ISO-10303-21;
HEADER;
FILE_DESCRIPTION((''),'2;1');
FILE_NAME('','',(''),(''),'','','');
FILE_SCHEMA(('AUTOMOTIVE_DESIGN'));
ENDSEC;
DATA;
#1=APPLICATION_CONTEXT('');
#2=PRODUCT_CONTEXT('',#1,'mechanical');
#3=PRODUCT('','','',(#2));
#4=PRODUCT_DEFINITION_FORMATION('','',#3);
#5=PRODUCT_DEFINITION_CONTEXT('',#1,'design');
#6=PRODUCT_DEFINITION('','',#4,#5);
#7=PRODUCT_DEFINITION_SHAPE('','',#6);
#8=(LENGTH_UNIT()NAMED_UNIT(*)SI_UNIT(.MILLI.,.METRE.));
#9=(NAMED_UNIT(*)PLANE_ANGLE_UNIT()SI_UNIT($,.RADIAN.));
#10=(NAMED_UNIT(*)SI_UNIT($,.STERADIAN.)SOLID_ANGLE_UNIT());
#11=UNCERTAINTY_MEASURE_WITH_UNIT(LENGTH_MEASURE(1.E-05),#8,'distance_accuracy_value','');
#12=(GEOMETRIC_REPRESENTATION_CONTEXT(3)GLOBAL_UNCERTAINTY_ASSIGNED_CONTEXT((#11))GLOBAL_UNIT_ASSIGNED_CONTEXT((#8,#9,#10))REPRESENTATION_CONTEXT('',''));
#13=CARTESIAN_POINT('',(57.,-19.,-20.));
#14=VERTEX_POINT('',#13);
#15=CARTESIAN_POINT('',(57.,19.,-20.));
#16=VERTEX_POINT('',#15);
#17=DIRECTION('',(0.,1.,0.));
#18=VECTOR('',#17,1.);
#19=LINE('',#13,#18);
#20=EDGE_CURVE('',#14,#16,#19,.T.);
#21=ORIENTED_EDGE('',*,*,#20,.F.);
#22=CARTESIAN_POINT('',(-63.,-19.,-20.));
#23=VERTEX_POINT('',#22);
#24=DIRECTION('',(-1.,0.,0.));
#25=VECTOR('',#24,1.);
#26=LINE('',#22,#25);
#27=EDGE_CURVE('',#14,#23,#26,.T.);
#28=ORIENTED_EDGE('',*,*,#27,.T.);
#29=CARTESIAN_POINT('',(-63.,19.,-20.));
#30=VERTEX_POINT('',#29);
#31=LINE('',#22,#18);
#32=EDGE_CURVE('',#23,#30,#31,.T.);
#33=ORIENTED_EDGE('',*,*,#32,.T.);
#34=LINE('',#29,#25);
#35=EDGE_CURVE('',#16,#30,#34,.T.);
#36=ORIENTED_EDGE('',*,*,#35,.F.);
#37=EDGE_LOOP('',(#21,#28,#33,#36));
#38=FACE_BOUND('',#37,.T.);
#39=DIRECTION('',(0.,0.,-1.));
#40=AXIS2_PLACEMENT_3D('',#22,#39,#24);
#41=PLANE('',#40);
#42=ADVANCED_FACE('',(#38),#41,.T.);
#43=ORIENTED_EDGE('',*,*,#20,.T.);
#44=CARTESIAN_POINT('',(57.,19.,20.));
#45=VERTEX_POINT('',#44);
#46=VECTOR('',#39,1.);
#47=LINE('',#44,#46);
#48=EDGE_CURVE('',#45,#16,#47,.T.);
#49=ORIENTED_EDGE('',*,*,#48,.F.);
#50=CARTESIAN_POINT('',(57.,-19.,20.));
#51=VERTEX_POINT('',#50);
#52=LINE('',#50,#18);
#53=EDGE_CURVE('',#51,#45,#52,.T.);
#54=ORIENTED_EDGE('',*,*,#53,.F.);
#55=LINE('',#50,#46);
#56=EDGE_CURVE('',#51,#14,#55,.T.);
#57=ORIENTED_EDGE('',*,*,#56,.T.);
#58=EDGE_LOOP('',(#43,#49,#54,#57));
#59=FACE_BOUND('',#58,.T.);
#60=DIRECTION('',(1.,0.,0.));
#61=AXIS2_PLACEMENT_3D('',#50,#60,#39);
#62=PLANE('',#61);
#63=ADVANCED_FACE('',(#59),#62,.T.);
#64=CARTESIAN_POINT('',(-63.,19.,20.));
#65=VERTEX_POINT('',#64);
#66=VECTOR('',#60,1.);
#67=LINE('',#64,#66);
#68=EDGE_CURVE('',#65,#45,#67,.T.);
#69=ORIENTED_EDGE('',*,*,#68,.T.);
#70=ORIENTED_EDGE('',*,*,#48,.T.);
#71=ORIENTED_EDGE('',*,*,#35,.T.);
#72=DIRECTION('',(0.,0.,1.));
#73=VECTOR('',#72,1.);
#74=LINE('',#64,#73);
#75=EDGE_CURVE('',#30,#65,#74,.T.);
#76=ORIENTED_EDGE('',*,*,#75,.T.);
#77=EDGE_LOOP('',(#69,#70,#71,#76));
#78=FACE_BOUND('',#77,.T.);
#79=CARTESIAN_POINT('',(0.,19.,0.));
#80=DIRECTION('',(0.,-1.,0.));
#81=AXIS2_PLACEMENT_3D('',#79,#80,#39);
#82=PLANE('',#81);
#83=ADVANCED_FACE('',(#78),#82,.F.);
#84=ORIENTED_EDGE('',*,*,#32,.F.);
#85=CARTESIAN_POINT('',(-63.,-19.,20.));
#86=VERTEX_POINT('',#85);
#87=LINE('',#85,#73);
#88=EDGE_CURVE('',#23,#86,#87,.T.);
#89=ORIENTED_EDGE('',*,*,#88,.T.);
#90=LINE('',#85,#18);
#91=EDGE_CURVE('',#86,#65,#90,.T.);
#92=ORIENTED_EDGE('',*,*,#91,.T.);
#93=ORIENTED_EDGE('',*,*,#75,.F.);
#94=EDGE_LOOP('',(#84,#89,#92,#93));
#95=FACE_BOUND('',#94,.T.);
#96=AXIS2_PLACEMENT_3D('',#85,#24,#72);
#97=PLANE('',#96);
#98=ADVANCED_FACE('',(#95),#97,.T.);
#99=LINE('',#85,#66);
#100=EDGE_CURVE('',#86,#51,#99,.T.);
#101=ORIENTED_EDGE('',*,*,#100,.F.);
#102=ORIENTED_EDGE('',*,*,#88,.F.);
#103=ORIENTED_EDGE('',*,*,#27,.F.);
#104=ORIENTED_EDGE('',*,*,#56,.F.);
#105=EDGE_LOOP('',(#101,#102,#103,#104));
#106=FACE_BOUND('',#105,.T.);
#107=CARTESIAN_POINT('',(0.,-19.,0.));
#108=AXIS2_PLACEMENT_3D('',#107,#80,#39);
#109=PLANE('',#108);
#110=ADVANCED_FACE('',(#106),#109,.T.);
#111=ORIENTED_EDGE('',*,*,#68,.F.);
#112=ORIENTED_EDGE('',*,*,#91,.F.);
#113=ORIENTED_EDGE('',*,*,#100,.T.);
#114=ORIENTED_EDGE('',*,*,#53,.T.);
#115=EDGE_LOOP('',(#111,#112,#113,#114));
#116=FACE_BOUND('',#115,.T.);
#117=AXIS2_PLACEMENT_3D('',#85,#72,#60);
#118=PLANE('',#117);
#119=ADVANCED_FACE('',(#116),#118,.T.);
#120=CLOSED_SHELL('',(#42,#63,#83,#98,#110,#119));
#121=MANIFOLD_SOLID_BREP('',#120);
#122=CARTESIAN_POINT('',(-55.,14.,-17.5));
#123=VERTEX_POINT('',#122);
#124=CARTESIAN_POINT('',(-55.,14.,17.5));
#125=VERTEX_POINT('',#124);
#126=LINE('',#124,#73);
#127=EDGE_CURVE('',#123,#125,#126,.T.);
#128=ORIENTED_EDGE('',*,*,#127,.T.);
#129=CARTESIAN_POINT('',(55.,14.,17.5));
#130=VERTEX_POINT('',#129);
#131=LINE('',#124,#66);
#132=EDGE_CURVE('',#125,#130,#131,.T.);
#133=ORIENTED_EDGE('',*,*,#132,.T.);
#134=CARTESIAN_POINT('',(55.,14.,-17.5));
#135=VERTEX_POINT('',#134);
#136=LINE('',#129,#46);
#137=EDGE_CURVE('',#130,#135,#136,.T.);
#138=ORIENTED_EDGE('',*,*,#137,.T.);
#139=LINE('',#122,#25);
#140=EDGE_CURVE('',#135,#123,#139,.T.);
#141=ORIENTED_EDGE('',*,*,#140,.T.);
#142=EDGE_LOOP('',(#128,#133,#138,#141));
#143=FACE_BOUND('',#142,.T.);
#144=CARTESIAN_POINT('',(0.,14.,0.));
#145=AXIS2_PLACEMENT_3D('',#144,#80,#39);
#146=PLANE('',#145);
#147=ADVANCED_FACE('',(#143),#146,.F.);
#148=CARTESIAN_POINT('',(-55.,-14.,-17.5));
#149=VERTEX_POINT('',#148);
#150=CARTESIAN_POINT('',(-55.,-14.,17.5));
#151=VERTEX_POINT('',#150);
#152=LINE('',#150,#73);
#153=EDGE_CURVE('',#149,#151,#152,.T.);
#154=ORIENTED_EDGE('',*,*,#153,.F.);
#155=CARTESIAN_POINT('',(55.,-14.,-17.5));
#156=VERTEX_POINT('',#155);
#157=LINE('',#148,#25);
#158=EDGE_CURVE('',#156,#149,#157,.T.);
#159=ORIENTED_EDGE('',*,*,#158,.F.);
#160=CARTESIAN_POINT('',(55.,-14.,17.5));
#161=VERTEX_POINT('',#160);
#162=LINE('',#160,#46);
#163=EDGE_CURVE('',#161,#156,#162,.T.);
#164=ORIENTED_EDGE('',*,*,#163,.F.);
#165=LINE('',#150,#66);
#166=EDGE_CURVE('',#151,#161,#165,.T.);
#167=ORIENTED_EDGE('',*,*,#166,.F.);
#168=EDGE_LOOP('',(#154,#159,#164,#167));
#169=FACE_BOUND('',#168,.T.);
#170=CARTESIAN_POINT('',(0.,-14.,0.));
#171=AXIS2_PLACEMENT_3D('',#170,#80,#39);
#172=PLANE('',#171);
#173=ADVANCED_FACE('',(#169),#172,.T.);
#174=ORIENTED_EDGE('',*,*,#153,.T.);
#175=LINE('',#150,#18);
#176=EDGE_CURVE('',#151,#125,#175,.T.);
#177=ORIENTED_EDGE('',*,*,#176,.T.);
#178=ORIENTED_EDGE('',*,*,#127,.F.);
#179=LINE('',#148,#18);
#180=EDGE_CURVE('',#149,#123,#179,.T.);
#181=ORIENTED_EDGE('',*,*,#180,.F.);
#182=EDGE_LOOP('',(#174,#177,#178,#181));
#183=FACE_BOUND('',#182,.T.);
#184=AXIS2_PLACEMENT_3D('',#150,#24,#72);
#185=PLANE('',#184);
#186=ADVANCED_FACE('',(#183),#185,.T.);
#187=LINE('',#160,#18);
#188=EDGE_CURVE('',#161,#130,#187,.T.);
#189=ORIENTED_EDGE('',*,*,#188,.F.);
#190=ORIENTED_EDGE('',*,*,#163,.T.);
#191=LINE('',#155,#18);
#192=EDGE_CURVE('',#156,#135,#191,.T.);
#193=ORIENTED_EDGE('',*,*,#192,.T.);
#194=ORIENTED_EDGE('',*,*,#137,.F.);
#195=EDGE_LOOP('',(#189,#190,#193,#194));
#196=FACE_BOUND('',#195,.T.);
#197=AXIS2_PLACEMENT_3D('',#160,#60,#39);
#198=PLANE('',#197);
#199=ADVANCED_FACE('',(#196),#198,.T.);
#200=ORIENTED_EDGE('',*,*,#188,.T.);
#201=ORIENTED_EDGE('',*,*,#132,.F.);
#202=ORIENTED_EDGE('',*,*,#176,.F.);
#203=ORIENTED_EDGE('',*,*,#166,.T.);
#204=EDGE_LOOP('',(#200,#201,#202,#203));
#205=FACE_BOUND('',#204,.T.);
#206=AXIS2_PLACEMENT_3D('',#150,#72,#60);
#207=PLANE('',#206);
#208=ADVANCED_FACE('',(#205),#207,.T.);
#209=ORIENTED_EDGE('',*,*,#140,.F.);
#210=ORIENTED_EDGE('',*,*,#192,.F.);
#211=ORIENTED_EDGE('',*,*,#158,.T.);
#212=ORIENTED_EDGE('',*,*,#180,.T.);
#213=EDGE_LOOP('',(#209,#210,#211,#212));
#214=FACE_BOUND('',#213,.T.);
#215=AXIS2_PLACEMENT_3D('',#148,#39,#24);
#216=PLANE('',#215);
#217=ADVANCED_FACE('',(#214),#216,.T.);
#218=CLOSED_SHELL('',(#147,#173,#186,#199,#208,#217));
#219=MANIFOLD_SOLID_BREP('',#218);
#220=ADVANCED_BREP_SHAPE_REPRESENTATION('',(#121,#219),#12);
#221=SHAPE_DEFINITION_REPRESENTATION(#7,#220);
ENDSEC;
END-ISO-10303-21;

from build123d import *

# Parameters (mm, degrees)
BOSS_EXTRUDE1_DEPTH      = 14
BOSS_EXTRUDE1_DEPTH_BACK = 14
SKETCH1_W                = 110
SKETCH1_H                = 35
BOSS_EXTRUDE2_DEPTH      = 19
BOSS_EXTRUDE2_DEPTH_BACK = 19
SKETCH2_W                = 120
SKETCH2_H                = 40


with BuildPart() as part:
    # Sketch1 → Boss-Extrude1 (new, two sides: drawn at the far end of the back side and taken through both)
    with BuildSketch(Plane(origin=(0, 0, 0), x_dir=(1, 0, 0), z_dir=(0, 1, 0)).offset(-BOSS_EXTRUDE1_DEPTH_BACK)):
        Rectangle(SKETCH1_W, SKETCH1_H)
    extrude(amount=BOSS_EXTRUDE1_DEPTH + BOSS_EXTRUDE1_DEPTH_BACK)


with BuildPart() as body_2:
    # Sketch2 → Boss-Extrude2 (new, two sides: drawn at the far end of the back side and taken through both)
    with BuildSketch(Plane(origin=(0, 0, 0), x_dir=(1, 0, 0), z_dir=(0, 1, 0)).offset(-BOSS_EXTRUDE2_DEPTH_BACK)):
        with Locations((-3, 0)):
            Rectangle(SKETCH2_W, SKETCH2_H)
    extrude(amount=BOSS_EXTRUDE2_DEPTH + BOSS_EXTRUDE2_DEPTH_BACK)


solid = Compound([part.part, body_2.part])
